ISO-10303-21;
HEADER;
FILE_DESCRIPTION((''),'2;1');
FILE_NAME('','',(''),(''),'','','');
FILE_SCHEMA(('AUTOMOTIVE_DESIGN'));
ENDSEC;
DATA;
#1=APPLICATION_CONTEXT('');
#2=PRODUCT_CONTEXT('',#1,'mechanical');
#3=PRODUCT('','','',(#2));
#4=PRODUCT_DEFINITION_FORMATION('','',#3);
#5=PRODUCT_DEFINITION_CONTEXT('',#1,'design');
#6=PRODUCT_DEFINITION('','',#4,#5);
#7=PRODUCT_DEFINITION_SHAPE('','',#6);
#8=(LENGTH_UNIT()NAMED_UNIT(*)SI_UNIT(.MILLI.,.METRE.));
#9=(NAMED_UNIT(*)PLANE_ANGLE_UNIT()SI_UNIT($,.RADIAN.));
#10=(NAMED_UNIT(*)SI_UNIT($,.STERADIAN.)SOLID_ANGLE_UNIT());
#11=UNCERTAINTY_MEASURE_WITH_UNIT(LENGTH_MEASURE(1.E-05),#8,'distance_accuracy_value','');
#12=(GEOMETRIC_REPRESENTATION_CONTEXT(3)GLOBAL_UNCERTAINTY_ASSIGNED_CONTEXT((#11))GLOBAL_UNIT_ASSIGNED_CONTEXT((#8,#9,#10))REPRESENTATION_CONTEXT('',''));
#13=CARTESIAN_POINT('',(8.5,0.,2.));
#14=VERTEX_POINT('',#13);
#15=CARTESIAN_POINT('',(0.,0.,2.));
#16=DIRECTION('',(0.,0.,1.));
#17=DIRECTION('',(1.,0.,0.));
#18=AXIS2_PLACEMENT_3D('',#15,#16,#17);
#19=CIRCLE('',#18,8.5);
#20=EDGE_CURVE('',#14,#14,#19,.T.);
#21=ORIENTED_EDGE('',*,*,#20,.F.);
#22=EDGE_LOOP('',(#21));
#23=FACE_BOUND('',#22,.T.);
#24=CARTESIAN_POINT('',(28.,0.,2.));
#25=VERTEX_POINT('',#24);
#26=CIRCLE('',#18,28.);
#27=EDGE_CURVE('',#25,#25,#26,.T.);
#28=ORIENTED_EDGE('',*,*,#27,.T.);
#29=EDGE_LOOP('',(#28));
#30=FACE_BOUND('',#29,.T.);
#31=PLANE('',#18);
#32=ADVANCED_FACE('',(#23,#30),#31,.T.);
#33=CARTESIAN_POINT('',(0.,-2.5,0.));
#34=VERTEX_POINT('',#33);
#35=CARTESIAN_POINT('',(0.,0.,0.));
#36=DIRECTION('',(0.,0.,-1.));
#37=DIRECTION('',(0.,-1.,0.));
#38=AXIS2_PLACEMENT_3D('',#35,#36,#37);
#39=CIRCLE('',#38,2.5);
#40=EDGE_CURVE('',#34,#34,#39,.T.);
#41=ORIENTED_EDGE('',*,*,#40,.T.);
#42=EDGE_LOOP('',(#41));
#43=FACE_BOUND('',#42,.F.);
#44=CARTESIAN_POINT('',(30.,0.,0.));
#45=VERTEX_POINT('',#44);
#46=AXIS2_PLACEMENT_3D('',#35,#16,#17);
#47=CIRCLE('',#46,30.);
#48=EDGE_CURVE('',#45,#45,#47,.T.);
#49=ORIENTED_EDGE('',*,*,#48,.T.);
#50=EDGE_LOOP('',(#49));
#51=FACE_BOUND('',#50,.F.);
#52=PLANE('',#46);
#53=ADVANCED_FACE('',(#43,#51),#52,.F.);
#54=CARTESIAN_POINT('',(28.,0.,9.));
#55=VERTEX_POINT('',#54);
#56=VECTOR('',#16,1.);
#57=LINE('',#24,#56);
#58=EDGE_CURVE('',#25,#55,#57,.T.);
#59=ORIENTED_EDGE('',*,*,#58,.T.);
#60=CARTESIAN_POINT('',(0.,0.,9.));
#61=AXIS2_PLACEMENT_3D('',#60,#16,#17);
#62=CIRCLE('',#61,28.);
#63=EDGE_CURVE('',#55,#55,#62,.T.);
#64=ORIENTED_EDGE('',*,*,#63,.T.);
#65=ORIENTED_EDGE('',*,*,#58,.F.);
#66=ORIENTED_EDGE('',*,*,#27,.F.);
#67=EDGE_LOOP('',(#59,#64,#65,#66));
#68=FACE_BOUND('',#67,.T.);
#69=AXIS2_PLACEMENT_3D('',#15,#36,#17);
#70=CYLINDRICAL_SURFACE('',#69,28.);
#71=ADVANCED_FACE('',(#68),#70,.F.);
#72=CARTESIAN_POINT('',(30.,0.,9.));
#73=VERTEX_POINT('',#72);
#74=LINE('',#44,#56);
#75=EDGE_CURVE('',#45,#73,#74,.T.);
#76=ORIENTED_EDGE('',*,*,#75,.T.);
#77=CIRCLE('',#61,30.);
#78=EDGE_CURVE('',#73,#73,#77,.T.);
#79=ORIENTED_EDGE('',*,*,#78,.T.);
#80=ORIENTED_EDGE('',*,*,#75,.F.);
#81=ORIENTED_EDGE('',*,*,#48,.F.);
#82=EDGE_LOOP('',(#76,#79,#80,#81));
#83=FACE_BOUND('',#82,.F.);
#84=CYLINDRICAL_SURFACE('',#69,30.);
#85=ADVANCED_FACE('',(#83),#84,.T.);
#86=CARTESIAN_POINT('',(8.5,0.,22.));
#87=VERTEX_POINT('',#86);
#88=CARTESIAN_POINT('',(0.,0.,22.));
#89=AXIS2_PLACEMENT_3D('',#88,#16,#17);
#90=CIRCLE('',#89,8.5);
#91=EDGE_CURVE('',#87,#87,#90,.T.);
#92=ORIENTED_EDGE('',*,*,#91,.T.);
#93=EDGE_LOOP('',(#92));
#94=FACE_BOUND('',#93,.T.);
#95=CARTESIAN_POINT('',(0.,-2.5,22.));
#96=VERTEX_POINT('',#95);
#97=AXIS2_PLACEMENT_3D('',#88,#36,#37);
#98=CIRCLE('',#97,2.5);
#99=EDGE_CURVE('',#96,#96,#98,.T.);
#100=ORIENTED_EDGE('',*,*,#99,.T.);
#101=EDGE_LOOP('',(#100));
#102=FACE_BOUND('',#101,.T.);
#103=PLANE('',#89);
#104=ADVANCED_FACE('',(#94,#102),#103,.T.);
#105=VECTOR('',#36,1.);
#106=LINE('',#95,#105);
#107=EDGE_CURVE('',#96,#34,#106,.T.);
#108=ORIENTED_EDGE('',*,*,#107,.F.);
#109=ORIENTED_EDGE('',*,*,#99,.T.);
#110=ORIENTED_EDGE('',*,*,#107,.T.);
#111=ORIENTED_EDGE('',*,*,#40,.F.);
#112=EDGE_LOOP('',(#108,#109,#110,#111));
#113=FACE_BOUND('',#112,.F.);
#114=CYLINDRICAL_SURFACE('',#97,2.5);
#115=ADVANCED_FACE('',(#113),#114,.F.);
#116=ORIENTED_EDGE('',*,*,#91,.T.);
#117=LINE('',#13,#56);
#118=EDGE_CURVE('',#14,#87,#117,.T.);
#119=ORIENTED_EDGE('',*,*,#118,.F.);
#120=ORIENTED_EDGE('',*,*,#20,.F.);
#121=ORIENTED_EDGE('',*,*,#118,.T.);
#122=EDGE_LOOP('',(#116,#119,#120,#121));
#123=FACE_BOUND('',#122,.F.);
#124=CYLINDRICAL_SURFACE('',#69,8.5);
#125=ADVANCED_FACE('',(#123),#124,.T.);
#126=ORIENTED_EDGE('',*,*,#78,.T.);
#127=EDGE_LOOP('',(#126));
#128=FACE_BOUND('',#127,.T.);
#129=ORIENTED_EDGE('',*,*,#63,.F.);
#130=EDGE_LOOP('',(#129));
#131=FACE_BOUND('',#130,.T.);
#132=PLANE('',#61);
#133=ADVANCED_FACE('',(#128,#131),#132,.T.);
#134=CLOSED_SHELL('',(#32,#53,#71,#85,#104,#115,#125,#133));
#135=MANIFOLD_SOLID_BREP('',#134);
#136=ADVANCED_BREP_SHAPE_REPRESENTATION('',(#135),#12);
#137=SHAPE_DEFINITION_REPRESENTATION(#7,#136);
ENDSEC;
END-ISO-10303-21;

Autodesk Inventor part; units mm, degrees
ref_plane "YZ Plane" through (0, 0, 0) normal (1, 0, 0) x (0, 1, 0)
ref_plane "XZ Plane" through (0, 0, 0) normal (0, 1, 0) x (-1, 0, 0)
ref_plane "XY Plane" through (0, 0, 0) normal (0, 0, 1) x (1, 0, 0)
sketch "スケッチ1" plane through (0, 0, 0) normal (0, 0, 1) x (1, 0, 0)
  circle A0 centre (0, 0) radius 30
  dimension "d0" = 60
extrude "押し出し1" add sketch "スケッチ1" along normal blind 2
sketch "スケッチ2" plane through (0, 0, 2) normal (0, 0, 1) x (1, 0, 0)
  circle A0 centre (0, 0) radius 8.5
  dimension "d3" = 17
extrude "押し出し2" add sketch "スケッチ2" along normal blind 20
sketch "スケッチ3" plane through (0, 0, 22) normal (0, 0, 1) x (1, 0, 0)
  point P0 (0, 0)
hole "穴1" at (0, 0, 22) direction (0, 0, -1) diameter 5 end through all
sketch "スケッチ4" plane through (0, 0, 2) normal (0, 0, 1) x (1, 0, 0)
  circle A0 centre (0, 0) radius 30 projected
  circle A1 centre (0, 0) radius 30
  circle A2 centre (0, 0) radius 8.5 projected
  circle A3 centre (0, 0) radius 28
  dimension "d13" = 2
extrude "押し出し3" add sketch "スケッチ4" along normal blind 7 contours A0
properties part number "wheel" material "アルミニウム 6061"
